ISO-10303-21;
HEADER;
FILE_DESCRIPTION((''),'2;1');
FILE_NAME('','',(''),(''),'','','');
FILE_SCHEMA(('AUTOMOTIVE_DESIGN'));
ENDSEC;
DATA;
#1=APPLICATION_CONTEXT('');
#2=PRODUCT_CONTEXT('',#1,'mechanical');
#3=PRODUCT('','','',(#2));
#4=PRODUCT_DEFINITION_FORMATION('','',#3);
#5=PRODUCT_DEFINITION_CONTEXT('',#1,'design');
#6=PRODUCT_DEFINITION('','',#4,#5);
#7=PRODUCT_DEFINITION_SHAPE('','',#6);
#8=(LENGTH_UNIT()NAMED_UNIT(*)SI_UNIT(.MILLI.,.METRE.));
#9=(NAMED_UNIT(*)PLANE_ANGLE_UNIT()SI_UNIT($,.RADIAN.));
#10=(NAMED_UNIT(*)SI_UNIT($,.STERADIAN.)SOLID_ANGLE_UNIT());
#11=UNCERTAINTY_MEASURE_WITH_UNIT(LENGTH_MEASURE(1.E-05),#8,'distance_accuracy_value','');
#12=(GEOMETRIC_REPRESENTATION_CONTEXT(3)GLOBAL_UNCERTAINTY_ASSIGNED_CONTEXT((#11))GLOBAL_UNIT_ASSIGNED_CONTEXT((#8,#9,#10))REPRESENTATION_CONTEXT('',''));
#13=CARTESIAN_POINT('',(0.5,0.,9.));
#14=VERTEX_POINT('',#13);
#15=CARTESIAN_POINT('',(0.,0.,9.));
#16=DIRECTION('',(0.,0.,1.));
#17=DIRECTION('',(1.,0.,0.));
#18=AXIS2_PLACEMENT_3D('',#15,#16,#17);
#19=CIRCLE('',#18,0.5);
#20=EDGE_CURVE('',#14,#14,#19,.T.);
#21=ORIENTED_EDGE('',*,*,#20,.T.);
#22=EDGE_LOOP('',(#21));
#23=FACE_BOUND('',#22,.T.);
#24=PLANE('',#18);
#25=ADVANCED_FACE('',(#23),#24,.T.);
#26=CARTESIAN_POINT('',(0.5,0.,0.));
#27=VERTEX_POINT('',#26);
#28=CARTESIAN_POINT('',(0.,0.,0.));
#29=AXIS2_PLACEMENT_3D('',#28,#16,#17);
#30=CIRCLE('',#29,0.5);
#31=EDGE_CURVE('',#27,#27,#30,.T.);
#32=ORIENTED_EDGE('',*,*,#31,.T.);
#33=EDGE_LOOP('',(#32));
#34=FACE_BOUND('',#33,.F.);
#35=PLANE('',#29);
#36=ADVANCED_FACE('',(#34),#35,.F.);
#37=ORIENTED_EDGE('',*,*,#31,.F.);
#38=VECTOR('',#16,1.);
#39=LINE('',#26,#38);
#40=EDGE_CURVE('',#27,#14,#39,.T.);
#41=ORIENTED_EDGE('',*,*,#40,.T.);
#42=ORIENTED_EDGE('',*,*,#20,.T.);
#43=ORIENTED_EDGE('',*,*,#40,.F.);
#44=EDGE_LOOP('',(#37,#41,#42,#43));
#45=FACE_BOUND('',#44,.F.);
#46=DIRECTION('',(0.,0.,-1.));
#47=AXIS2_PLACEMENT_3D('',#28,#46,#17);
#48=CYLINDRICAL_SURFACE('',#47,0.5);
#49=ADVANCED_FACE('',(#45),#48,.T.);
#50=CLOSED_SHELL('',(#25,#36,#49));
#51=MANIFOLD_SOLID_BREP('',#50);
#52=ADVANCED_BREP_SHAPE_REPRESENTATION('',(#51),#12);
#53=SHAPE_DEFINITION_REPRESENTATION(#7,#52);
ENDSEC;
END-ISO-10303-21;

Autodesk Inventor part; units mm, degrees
ref_plane "YZ Plane" through (0, 0, 0) normal (1, 0, 0) x (0, 1, 0)
ref_plane "XZ Plane" through (0, 0, 0) normal (0, 1, 0) x (-1, 0, 0)
ref_plane "XY Plane" through (0, 0, 0) normal (0, 0, 1) x (1, 0, 0)
sketch "Sketch1" plane through (0, 0, 0) normal (0, 0, 1) x (1, 0, 0)
  circle A0 centre (0, 0) radius 0.5
  dimension "d1" = 9
extrude "Extrusion1" add sketch "Sketch1" along normal blind 9
properties part number "PIN" material "Steel, High Strength, Low Alloy"
